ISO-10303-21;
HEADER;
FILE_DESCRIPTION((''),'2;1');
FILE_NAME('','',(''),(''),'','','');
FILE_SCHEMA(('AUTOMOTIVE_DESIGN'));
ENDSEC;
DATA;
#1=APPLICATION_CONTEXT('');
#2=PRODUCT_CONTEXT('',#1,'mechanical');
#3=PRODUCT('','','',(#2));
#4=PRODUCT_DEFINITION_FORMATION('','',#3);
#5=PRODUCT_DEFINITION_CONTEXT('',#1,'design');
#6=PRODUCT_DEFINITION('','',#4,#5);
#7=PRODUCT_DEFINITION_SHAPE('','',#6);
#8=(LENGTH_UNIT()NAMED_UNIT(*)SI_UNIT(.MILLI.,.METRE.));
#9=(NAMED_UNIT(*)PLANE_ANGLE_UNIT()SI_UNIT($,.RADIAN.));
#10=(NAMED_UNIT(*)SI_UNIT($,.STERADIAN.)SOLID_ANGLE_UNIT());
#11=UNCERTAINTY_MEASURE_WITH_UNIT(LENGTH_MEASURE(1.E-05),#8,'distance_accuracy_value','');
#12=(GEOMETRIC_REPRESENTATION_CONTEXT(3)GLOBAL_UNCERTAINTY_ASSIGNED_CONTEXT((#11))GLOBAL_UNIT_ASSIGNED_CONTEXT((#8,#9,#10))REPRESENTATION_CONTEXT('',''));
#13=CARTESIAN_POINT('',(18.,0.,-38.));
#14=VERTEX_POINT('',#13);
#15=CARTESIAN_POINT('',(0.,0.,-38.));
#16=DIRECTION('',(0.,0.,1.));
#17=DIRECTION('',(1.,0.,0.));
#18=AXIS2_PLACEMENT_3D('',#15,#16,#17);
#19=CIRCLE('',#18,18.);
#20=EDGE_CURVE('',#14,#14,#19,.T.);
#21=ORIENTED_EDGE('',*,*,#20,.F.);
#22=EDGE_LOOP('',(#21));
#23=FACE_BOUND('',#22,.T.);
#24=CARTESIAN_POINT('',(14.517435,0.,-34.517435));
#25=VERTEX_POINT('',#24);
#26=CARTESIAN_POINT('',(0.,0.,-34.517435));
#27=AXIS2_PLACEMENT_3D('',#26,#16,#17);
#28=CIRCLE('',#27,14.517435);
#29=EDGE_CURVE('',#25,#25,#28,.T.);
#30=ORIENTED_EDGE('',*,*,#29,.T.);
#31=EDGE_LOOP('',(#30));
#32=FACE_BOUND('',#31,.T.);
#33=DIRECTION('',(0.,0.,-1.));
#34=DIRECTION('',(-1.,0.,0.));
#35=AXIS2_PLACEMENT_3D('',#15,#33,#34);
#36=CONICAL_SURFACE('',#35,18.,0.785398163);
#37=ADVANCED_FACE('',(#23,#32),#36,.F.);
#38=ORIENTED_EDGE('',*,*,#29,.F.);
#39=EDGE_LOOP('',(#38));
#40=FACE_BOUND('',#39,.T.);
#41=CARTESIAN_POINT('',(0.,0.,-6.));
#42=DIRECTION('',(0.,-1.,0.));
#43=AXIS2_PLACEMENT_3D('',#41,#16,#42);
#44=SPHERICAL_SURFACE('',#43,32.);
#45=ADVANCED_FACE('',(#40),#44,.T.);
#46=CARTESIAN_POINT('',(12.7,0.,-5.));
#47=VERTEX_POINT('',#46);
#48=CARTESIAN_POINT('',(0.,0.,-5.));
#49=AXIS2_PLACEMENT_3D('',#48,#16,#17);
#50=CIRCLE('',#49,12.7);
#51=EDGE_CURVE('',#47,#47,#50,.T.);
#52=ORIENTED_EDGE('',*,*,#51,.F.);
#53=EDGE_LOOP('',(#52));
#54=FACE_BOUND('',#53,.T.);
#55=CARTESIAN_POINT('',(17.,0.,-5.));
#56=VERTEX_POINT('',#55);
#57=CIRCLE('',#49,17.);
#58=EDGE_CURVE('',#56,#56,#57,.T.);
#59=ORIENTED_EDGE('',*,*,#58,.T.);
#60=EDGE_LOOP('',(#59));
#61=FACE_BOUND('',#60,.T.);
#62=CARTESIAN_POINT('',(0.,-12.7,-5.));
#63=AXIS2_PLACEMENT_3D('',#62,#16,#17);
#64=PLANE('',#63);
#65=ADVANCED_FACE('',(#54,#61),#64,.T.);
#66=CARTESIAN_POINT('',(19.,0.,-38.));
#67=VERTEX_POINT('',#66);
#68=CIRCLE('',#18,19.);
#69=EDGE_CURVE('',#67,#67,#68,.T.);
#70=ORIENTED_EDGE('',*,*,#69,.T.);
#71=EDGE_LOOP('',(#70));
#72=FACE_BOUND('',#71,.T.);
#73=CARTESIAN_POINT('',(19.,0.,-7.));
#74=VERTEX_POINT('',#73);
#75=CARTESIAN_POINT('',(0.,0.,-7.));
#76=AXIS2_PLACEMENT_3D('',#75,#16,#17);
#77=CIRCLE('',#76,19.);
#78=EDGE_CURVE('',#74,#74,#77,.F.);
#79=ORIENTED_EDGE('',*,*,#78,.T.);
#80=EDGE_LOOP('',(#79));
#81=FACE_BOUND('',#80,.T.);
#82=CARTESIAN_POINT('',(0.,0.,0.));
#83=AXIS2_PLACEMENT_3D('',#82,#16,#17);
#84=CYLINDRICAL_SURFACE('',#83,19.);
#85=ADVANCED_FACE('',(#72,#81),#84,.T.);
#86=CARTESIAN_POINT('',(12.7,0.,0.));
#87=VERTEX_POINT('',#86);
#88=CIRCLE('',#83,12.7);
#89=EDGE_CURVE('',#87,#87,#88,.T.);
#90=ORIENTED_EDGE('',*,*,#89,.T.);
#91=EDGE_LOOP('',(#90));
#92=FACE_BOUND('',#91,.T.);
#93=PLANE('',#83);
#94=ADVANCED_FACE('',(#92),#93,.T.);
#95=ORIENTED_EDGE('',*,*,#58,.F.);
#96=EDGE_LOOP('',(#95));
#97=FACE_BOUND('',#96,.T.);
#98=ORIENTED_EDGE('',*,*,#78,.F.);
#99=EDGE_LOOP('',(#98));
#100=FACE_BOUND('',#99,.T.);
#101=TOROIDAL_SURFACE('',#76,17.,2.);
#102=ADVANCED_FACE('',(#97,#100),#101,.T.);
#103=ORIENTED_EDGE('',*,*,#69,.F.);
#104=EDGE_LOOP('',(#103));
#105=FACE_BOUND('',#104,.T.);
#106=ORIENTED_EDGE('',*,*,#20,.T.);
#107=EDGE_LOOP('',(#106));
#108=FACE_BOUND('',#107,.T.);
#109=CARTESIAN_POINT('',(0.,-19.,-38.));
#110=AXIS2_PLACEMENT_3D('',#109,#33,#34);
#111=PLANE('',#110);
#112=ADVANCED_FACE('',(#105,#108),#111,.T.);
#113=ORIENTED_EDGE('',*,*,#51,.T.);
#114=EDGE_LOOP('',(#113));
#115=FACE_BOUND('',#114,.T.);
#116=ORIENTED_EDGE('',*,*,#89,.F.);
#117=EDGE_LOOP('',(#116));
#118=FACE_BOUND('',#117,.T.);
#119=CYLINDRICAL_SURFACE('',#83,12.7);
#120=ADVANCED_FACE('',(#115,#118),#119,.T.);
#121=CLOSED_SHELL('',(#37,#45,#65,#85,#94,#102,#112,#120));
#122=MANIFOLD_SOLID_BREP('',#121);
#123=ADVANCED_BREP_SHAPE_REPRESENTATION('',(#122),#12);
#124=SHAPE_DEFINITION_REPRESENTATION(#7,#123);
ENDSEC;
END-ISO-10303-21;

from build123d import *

# Parameters (mm, degrees)
FILLET1_R = 2


with BuildPart() as part:
    # Sketch1 → Revolve1 (revolve)
    with BuildSketch(Plane(origin=(0, 0, 0), x_dir=(0, 0, -1), z_dir=(1, 0, 0)), mode=Mode.PRIVATE) as revolve1_sk:
        with BuildLine():
            Line((0, 0), (0, -12.7))
            Line((0, -12.7), (5, -12.7))
            Line((5, -12.7), (5, -19))
            Line((5, -19), (38, -19))
            Line((38, -19), (38, -18))
            Line((38, -18), (34.517434791, -14.517434791))
            ThreePointArc((34.517434791, -14.517434791), (37.117181053, -7.464652928), (38, 0))
            Line((38, 0), (6, 0))
            Line((6, 0), (0, 0))
        make_face()
    revolve(revolve1_sk.sketch.rotate(Axis((0, 0, 0), (0, 0, -1)), 270), axis=Axis((0, 0, 0), (0, 0, -1)))

    # Fillet1
    fillet1_edges = [part.edges().sort_by_distance(p)[0] for p in [
        (-19, 0, -5),
    ]]
    fillet(fillet1_edges, radius=FILLET1_R)


solid = part.part
